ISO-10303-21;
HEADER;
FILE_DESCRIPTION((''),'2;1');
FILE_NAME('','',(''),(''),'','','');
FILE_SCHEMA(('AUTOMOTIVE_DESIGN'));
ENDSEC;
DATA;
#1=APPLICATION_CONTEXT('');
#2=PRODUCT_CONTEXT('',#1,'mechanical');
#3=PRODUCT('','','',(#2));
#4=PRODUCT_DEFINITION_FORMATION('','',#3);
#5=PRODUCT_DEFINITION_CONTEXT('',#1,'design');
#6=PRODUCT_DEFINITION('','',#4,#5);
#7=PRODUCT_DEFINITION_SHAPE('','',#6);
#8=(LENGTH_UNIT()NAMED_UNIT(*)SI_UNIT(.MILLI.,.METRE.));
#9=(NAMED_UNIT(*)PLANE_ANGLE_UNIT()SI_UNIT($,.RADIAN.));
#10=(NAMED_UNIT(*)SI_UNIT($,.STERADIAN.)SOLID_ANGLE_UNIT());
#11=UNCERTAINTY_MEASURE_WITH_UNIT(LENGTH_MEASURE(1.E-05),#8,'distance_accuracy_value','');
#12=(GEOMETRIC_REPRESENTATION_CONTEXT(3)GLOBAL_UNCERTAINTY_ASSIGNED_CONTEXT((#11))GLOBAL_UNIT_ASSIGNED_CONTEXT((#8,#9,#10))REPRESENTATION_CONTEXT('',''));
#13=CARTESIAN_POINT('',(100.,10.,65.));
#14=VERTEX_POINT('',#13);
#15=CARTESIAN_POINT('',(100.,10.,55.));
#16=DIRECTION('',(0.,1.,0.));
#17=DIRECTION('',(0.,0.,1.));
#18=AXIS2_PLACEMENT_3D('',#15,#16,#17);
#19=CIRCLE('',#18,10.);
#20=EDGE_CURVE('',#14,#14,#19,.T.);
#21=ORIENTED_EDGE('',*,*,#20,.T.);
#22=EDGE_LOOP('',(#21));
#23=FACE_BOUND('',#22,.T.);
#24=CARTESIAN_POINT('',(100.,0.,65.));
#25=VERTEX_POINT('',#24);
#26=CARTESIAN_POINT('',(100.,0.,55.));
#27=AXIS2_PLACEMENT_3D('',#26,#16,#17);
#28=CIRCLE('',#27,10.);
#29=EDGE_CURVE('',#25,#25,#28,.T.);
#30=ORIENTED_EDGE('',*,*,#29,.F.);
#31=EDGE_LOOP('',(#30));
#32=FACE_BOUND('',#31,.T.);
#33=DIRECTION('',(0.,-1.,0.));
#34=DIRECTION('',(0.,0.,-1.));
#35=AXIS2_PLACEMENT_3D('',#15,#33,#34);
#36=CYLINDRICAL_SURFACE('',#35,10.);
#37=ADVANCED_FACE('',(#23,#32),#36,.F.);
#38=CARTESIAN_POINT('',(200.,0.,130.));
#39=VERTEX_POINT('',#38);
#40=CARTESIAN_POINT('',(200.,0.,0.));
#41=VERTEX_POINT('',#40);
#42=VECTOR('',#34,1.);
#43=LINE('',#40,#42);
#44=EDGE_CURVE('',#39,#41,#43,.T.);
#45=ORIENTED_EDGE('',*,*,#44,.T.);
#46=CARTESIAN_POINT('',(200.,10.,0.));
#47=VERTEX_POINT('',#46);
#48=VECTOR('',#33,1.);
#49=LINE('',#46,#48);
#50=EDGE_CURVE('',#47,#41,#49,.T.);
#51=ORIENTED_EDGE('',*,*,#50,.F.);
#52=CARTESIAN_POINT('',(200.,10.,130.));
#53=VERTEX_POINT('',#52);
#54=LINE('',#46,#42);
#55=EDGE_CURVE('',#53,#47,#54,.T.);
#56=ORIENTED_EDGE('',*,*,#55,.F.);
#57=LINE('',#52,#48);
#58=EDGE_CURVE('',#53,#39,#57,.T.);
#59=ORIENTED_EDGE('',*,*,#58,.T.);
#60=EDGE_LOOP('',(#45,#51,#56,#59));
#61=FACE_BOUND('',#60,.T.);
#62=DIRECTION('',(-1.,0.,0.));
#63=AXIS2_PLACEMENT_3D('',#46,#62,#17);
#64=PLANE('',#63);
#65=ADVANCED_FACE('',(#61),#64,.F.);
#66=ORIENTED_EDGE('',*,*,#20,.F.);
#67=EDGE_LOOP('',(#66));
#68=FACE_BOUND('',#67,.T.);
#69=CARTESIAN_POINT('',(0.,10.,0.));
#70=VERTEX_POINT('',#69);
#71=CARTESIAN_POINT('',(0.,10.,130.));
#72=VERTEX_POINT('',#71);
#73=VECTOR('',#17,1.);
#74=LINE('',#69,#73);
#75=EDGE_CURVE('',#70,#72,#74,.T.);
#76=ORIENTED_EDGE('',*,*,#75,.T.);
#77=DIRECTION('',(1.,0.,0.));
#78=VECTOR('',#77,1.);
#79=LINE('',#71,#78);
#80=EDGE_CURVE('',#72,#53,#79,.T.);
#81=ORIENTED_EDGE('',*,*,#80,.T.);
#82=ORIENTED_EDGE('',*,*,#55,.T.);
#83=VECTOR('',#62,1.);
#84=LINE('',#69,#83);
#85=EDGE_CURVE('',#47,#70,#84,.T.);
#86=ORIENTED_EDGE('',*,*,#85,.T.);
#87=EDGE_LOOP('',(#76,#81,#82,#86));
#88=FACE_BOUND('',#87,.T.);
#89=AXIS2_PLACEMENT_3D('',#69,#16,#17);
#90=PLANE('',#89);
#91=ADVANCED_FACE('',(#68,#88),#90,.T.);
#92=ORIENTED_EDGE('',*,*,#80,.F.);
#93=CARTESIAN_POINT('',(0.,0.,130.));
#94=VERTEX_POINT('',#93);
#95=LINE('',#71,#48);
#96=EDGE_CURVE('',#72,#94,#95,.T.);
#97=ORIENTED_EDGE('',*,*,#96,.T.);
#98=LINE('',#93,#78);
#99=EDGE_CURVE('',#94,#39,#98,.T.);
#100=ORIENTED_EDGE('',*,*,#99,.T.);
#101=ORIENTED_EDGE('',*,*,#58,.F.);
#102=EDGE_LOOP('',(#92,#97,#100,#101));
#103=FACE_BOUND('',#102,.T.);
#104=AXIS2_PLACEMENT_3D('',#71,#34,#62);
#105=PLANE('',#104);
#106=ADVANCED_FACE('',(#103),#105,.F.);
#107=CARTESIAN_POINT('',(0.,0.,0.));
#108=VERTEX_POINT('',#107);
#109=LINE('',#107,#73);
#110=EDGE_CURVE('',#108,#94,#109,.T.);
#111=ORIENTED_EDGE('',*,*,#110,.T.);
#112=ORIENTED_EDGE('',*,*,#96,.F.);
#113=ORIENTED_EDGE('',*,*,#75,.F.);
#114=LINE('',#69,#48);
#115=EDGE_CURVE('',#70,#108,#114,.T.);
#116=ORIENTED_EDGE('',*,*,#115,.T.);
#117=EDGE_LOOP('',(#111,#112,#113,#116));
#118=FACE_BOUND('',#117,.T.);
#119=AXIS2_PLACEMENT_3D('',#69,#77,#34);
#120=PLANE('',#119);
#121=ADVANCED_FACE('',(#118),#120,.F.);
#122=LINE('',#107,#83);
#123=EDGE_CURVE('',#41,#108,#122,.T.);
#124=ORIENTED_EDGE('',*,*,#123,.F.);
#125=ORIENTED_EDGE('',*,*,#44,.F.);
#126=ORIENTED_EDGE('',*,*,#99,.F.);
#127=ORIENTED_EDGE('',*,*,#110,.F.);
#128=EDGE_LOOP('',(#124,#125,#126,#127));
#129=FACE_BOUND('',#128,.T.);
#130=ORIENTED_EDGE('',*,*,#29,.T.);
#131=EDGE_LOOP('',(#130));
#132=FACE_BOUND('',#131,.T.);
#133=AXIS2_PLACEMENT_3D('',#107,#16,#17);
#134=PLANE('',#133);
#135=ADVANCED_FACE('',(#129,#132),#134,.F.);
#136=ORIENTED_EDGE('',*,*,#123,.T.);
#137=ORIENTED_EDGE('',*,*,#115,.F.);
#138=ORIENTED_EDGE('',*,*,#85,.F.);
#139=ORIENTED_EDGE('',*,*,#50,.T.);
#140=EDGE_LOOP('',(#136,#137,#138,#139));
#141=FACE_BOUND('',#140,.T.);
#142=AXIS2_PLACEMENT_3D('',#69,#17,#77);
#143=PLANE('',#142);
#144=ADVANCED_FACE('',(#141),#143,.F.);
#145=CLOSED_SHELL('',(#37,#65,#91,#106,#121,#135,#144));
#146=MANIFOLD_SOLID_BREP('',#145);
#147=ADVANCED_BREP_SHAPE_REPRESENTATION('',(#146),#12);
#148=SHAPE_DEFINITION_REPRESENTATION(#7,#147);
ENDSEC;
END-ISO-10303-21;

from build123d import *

# Parameters (mm, degrees)
SKETCH1_W           = 200
SKETCH1_H           = 130
SKETCH1_R           = 10
BOSS_EXTRUDE1_DEPTH = 10


with BuildPart() as part:
    # Sketch1 → Boss-Extrude1 (new body)
    with BuildSketch(Plane(origin=(0, 0, 0), x_dir=(1, 0, 0), z_dir=(0, 1, 0))):
        with Locations((100, -65)):
            Rectangle(SKETCH1_W, SKETCH1_H)
        with Locations(Location((100, -55, 0), (0, 0, 270))):
            Circle(SKETCH1_R, mode=Mode.SUBTRACT)
    extrude(amount=BOSS_EXTRUDE1_DEPTH)


solid = part.part
